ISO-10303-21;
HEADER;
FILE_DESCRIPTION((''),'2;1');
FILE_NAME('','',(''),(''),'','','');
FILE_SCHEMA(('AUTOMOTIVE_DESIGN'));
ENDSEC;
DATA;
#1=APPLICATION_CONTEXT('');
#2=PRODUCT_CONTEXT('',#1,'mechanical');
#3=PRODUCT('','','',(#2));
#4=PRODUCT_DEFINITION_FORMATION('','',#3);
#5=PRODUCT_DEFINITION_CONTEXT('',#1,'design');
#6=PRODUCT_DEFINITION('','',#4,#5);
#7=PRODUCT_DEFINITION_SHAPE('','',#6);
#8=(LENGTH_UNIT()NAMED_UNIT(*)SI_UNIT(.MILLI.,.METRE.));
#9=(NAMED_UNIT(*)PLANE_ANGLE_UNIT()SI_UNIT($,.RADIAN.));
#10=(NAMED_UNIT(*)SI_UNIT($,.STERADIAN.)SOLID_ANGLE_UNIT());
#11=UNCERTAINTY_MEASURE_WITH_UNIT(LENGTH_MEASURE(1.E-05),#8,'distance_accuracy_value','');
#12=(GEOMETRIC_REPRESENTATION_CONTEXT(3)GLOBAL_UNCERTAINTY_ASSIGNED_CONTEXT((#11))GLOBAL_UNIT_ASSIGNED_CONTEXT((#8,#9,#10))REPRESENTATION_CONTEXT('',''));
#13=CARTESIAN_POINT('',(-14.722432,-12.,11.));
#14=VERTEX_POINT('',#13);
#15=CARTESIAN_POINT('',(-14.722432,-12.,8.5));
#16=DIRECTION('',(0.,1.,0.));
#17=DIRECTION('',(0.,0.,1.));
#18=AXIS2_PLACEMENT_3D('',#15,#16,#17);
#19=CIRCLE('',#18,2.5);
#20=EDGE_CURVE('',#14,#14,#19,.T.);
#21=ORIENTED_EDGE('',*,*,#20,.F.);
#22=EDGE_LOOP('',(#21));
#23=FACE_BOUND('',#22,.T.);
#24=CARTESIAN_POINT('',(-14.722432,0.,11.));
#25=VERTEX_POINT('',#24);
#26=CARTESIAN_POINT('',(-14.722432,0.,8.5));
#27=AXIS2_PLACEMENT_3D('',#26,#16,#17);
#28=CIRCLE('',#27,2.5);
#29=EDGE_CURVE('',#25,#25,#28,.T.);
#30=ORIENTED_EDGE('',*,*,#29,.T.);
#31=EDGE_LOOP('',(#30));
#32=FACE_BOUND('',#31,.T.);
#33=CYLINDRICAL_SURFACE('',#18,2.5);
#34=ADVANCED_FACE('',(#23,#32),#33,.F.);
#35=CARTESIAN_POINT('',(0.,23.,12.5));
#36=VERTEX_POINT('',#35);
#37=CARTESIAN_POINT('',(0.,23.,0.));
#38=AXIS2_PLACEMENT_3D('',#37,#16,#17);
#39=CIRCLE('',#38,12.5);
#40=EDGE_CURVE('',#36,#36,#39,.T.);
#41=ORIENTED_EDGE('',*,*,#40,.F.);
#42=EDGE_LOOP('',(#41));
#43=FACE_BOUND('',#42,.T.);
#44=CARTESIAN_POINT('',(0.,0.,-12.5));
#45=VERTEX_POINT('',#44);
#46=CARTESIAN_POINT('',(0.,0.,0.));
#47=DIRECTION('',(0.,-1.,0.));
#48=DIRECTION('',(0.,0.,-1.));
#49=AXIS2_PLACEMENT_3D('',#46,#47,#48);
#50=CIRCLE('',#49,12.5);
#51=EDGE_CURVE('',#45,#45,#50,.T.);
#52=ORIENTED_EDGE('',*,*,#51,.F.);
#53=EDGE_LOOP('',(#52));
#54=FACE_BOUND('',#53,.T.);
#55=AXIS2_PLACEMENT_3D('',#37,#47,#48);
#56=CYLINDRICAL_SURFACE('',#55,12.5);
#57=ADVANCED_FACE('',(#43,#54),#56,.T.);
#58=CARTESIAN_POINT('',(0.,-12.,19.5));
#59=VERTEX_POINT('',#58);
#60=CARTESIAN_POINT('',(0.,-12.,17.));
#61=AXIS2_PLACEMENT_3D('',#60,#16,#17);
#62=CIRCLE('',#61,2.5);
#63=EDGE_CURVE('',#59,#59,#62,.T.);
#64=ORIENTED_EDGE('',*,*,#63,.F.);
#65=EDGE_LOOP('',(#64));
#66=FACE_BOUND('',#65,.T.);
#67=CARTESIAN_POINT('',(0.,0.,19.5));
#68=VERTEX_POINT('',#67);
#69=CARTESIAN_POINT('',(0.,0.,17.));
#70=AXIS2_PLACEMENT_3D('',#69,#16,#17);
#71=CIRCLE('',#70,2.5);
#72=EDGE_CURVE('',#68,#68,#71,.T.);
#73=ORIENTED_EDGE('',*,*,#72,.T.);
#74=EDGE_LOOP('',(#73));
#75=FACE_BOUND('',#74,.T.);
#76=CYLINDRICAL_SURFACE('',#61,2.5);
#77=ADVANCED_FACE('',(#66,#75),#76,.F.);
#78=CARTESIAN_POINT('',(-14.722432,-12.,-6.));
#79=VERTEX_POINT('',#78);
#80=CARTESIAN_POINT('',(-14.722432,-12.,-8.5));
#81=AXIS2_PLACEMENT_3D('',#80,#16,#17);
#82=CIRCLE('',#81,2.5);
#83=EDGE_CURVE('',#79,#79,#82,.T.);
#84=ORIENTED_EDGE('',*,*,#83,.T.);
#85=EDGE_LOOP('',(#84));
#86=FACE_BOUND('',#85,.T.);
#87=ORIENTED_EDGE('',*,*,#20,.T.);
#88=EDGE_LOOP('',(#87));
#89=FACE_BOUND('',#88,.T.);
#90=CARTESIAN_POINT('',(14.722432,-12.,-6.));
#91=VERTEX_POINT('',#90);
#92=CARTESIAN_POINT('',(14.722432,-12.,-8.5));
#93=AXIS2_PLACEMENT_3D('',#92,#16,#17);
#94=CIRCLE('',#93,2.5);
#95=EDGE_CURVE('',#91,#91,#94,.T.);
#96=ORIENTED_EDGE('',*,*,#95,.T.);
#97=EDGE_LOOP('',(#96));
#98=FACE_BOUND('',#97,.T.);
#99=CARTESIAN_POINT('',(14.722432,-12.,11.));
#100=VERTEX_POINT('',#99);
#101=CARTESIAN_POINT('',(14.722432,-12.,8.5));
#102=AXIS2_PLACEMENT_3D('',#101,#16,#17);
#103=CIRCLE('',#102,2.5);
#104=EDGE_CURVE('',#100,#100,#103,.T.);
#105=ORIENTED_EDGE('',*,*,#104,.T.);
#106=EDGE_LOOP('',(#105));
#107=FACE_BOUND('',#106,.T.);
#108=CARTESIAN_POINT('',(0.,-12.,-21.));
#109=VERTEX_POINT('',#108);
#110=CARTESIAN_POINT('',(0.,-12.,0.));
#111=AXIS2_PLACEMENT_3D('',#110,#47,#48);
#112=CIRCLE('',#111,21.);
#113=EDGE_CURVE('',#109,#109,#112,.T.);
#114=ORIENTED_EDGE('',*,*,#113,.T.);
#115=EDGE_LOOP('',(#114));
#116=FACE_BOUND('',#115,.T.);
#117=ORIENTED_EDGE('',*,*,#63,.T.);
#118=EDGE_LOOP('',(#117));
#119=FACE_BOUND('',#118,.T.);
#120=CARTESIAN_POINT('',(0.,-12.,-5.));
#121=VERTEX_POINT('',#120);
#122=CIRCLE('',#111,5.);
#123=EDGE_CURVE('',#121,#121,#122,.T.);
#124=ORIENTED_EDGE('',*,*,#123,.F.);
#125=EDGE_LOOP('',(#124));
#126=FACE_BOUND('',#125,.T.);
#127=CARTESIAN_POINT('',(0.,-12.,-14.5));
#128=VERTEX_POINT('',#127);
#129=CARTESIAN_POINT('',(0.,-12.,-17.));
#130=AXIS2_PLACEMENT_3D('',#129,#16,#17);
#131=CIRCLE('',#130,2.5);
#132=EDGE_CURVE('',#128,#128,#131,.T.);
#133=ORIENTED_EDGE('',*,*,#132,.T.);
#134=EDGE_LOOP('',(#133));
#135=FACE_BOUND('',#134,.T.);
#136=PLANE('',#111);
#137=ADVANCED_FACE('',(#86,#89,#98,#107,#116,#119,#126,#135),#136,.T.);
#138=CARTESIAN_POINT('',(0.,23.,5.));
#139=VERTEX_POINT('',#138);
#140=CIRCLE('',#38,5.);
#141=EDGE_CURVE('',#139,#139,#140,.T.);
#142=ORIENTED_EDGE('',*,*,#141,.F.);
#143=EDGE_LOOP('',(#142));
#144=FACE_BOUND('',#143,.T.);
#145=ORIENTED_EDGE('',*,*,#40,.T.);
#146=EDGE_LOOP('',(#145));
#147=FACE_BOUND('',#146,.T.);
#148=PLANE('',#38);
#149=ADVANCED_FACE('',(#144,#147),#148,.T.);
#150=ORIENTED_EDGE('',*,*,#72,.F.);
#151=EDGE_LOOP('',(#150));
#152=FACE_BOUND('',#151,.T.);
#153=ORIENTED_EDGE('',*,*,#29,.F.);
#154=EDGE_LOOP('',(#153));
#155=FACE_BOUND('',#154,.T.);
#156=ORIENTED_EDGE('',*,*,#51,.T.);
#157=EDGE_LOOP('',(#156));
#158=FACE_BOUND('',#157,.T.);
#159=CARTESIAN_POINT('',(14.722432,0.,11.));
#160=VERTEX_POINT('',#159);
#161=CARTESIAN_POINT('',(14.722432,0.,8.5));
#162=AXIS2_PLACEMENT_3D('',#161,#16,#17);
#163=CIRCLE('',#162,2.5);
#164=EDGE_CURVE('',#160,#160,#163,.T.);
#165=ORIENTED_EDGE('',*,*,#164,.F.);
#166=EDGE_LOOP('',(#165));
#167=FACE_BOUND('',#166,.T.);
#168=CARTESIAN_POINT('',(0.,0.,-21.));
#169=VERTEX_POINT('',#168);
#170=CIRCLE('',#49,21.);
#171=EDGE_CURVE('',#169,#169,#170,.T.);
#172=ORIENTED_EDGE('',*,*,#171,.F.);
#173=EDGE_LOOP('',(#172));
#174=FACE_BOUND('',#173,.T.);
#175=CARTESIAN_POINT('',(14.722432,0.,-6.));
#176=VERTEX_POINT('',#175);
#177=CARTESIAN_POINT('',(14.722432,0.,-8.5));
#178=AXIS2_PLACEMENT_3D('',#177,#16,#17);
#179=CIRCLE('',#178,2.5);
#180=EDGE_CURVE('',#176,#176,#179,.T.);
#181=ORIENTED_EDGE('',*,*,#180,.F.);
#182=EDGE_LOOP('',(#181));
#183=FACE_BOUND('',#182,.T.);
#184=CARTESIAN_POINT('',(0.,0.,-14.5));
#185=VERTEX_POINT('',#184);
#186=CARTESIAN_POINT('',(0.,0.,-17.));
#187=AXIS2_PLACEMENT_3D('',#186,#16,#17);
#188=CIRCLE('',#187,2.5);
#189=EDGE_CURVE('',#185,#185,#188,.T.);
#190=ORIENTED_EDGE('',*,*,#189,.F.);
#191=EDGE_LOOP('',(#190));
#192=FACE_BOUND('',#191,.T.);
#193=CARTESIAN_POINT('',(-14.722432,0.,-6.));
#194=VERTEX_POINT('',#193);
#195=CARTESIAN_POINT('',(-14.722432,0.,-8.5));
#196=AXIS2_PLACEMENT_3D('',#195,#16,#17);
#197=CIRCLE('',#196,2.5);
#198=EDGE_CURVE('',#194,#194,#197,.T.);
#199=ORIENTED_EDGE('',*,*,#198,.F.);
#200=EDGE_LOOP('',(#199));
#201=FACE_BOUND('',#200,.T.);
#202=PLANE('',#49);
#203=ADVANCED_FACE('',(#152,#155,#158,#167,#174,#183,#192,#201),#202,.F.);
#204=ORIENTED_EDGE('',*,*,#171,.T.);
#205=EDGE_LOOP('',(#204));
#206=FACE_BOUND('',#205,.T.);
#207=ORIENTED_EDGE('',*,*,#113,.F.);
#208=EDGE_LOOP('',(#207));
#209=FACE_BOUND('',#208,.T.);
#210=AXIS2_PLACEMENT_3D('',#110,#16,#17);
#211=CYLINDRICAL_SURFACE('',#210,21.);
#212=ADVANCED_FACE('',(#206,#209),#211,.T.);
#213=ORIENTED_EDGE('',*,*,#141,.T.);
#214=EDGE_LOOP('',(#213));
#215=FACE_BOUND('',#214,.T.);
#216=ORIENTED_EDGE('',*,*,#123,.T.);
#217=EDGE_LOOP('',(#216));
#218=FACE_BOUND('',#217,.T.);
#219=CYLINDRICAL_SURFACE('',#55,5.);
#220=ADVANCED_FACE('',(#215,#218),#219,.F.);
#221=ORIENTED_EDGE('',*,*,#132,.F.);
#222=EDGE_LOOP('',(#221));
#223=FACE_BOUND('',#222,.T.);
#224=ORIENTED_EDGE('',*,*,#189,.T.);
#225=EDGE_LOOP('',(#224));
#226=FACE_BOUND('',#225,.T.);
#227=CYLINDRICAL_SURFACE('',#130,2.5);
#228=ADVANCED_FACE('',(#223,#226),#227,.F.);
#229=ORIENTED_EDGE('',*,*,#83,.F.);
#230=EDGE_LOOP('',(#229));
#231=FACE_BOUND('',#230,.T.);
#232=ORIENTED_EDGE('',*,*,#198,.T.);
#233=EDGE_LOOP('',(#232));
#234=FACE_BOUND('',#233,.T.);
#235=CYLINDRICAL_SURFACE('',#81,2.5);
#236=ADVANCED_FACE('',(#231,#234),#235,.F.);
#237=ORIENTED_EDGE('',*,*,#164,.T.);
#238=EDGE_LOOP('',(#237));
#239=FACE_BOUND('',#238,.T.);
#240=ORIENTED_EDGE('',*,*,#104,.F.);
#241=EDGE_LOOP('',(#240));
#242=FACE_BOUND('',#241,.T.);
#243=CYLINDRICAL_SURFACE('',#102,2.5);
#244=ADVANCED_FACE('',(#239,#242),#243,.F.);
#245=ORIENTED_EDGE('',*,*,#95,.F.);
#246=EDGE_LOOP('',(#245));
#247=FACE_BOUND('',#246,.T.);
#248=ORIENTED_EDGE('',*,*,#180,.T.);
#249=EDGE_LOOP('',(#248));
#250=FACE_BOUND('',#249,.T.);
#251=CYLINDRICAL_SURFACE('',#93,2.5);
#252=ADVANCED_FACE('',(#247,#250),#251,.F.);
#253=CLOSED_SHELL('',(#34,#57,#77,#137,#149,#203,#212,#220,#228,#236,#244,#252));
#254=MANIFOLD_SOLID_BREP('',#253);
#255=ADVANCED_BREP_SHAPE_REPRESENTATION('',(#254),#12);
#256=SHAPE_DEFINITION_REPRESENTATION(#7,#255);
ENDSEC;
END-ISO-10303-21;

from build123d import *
from build123d.topology import SkipClean

# Parameters (mm, degrees)
SKETCH2_R           = 12.5
SKETCH2_R_2         = 5
BOSS_EXTRUDE1_DEPTH = 23
BOSS_EXTRUDE2_START = 12
SKETCH3_R           = 21
SKETCH3_R_2         = 5
BOSS_EXTRUDE2_DEPTH = 12
SKETCH4_R           = 2.5
CUT_EXTRUDE1_DEPTH  = 12


with BuildPart() as part:
    # Sketch2 → Boss-Extrude1 (new body)
    with BuildSketch(Plane(origin=(0, 0, 0), x_dir=(1, 0, 0), z_dir=(0, 1, 0))):
        with Locations(Location((0, 0, 0), (0, 0, 270))):
            Circle(SKETCH2_R)
        with Locations(Location((0, 0, 0), (0, 0, 270))):
            Circle(SKETCH2_R_2, mode=Mode.SUBTRACT)
    extrude(amount=BOSS_EXTRUDE1_DEPTH)

    # Sketch3 → Boss-Extrude2 (add)
    with SkipClean():  # the faces are left unmerged after this step: merging them gives an invalid solid
        with BuildSketch(Plane.XZ.offset(BOSS_EXTRUDE2_START)):
            with Locations(Location((0, 0, 0), (0, 0, 270))):
                Circle(SKETCH3_R)
            with Locations(Location((0, 0, 0), (0, 0, 270))):
                Circle(SKETCH3_R_2, mode=Mode.SUBTRACT)
        extrude(amount=-BOSS_EXTRUDE2_DEPTH)

    # Sketch4 → Cut-Extrude1 (cut)
    with SkipClean():  # the faces are left unmerged after this step: merging them gives an invalid solid
        with BuildSketch(Plane(origin=(0, 0, 0), x_dir=(1, 0, 0), z_dir=(0, 1, 0))):
            with Locations(Location((0, 17, 0), (0, 0, 270))):
                Circle(SKETCH4_R)
            with Locations(Location((14.722431864, 8.5, 0), (0, 0, 270))):
                Circle(SKETCH4_R)
            with Locations(Location((14.722431864, -8.5, 0), (0, 0, 270))):
                Circle(SKETCH4_R)
            with Locations(Location((0, -17, 0), (0, 0, 270))):
                Circle(SKETCH4_R)
            with Locations(Location((-14.722431864, -8.5, 0), (0, 0, 270))):
                Circle(SKETCH4_R)
            with Locations(Location((-14.722431864, 8.5, 0), (0, 0, 270))):
                Circle(SKETCH4_R)
        extrude(amount=-CUT_EXTRUDE1_DEPTH, mode=Mode.SUBTRACT)


solid = part.part
